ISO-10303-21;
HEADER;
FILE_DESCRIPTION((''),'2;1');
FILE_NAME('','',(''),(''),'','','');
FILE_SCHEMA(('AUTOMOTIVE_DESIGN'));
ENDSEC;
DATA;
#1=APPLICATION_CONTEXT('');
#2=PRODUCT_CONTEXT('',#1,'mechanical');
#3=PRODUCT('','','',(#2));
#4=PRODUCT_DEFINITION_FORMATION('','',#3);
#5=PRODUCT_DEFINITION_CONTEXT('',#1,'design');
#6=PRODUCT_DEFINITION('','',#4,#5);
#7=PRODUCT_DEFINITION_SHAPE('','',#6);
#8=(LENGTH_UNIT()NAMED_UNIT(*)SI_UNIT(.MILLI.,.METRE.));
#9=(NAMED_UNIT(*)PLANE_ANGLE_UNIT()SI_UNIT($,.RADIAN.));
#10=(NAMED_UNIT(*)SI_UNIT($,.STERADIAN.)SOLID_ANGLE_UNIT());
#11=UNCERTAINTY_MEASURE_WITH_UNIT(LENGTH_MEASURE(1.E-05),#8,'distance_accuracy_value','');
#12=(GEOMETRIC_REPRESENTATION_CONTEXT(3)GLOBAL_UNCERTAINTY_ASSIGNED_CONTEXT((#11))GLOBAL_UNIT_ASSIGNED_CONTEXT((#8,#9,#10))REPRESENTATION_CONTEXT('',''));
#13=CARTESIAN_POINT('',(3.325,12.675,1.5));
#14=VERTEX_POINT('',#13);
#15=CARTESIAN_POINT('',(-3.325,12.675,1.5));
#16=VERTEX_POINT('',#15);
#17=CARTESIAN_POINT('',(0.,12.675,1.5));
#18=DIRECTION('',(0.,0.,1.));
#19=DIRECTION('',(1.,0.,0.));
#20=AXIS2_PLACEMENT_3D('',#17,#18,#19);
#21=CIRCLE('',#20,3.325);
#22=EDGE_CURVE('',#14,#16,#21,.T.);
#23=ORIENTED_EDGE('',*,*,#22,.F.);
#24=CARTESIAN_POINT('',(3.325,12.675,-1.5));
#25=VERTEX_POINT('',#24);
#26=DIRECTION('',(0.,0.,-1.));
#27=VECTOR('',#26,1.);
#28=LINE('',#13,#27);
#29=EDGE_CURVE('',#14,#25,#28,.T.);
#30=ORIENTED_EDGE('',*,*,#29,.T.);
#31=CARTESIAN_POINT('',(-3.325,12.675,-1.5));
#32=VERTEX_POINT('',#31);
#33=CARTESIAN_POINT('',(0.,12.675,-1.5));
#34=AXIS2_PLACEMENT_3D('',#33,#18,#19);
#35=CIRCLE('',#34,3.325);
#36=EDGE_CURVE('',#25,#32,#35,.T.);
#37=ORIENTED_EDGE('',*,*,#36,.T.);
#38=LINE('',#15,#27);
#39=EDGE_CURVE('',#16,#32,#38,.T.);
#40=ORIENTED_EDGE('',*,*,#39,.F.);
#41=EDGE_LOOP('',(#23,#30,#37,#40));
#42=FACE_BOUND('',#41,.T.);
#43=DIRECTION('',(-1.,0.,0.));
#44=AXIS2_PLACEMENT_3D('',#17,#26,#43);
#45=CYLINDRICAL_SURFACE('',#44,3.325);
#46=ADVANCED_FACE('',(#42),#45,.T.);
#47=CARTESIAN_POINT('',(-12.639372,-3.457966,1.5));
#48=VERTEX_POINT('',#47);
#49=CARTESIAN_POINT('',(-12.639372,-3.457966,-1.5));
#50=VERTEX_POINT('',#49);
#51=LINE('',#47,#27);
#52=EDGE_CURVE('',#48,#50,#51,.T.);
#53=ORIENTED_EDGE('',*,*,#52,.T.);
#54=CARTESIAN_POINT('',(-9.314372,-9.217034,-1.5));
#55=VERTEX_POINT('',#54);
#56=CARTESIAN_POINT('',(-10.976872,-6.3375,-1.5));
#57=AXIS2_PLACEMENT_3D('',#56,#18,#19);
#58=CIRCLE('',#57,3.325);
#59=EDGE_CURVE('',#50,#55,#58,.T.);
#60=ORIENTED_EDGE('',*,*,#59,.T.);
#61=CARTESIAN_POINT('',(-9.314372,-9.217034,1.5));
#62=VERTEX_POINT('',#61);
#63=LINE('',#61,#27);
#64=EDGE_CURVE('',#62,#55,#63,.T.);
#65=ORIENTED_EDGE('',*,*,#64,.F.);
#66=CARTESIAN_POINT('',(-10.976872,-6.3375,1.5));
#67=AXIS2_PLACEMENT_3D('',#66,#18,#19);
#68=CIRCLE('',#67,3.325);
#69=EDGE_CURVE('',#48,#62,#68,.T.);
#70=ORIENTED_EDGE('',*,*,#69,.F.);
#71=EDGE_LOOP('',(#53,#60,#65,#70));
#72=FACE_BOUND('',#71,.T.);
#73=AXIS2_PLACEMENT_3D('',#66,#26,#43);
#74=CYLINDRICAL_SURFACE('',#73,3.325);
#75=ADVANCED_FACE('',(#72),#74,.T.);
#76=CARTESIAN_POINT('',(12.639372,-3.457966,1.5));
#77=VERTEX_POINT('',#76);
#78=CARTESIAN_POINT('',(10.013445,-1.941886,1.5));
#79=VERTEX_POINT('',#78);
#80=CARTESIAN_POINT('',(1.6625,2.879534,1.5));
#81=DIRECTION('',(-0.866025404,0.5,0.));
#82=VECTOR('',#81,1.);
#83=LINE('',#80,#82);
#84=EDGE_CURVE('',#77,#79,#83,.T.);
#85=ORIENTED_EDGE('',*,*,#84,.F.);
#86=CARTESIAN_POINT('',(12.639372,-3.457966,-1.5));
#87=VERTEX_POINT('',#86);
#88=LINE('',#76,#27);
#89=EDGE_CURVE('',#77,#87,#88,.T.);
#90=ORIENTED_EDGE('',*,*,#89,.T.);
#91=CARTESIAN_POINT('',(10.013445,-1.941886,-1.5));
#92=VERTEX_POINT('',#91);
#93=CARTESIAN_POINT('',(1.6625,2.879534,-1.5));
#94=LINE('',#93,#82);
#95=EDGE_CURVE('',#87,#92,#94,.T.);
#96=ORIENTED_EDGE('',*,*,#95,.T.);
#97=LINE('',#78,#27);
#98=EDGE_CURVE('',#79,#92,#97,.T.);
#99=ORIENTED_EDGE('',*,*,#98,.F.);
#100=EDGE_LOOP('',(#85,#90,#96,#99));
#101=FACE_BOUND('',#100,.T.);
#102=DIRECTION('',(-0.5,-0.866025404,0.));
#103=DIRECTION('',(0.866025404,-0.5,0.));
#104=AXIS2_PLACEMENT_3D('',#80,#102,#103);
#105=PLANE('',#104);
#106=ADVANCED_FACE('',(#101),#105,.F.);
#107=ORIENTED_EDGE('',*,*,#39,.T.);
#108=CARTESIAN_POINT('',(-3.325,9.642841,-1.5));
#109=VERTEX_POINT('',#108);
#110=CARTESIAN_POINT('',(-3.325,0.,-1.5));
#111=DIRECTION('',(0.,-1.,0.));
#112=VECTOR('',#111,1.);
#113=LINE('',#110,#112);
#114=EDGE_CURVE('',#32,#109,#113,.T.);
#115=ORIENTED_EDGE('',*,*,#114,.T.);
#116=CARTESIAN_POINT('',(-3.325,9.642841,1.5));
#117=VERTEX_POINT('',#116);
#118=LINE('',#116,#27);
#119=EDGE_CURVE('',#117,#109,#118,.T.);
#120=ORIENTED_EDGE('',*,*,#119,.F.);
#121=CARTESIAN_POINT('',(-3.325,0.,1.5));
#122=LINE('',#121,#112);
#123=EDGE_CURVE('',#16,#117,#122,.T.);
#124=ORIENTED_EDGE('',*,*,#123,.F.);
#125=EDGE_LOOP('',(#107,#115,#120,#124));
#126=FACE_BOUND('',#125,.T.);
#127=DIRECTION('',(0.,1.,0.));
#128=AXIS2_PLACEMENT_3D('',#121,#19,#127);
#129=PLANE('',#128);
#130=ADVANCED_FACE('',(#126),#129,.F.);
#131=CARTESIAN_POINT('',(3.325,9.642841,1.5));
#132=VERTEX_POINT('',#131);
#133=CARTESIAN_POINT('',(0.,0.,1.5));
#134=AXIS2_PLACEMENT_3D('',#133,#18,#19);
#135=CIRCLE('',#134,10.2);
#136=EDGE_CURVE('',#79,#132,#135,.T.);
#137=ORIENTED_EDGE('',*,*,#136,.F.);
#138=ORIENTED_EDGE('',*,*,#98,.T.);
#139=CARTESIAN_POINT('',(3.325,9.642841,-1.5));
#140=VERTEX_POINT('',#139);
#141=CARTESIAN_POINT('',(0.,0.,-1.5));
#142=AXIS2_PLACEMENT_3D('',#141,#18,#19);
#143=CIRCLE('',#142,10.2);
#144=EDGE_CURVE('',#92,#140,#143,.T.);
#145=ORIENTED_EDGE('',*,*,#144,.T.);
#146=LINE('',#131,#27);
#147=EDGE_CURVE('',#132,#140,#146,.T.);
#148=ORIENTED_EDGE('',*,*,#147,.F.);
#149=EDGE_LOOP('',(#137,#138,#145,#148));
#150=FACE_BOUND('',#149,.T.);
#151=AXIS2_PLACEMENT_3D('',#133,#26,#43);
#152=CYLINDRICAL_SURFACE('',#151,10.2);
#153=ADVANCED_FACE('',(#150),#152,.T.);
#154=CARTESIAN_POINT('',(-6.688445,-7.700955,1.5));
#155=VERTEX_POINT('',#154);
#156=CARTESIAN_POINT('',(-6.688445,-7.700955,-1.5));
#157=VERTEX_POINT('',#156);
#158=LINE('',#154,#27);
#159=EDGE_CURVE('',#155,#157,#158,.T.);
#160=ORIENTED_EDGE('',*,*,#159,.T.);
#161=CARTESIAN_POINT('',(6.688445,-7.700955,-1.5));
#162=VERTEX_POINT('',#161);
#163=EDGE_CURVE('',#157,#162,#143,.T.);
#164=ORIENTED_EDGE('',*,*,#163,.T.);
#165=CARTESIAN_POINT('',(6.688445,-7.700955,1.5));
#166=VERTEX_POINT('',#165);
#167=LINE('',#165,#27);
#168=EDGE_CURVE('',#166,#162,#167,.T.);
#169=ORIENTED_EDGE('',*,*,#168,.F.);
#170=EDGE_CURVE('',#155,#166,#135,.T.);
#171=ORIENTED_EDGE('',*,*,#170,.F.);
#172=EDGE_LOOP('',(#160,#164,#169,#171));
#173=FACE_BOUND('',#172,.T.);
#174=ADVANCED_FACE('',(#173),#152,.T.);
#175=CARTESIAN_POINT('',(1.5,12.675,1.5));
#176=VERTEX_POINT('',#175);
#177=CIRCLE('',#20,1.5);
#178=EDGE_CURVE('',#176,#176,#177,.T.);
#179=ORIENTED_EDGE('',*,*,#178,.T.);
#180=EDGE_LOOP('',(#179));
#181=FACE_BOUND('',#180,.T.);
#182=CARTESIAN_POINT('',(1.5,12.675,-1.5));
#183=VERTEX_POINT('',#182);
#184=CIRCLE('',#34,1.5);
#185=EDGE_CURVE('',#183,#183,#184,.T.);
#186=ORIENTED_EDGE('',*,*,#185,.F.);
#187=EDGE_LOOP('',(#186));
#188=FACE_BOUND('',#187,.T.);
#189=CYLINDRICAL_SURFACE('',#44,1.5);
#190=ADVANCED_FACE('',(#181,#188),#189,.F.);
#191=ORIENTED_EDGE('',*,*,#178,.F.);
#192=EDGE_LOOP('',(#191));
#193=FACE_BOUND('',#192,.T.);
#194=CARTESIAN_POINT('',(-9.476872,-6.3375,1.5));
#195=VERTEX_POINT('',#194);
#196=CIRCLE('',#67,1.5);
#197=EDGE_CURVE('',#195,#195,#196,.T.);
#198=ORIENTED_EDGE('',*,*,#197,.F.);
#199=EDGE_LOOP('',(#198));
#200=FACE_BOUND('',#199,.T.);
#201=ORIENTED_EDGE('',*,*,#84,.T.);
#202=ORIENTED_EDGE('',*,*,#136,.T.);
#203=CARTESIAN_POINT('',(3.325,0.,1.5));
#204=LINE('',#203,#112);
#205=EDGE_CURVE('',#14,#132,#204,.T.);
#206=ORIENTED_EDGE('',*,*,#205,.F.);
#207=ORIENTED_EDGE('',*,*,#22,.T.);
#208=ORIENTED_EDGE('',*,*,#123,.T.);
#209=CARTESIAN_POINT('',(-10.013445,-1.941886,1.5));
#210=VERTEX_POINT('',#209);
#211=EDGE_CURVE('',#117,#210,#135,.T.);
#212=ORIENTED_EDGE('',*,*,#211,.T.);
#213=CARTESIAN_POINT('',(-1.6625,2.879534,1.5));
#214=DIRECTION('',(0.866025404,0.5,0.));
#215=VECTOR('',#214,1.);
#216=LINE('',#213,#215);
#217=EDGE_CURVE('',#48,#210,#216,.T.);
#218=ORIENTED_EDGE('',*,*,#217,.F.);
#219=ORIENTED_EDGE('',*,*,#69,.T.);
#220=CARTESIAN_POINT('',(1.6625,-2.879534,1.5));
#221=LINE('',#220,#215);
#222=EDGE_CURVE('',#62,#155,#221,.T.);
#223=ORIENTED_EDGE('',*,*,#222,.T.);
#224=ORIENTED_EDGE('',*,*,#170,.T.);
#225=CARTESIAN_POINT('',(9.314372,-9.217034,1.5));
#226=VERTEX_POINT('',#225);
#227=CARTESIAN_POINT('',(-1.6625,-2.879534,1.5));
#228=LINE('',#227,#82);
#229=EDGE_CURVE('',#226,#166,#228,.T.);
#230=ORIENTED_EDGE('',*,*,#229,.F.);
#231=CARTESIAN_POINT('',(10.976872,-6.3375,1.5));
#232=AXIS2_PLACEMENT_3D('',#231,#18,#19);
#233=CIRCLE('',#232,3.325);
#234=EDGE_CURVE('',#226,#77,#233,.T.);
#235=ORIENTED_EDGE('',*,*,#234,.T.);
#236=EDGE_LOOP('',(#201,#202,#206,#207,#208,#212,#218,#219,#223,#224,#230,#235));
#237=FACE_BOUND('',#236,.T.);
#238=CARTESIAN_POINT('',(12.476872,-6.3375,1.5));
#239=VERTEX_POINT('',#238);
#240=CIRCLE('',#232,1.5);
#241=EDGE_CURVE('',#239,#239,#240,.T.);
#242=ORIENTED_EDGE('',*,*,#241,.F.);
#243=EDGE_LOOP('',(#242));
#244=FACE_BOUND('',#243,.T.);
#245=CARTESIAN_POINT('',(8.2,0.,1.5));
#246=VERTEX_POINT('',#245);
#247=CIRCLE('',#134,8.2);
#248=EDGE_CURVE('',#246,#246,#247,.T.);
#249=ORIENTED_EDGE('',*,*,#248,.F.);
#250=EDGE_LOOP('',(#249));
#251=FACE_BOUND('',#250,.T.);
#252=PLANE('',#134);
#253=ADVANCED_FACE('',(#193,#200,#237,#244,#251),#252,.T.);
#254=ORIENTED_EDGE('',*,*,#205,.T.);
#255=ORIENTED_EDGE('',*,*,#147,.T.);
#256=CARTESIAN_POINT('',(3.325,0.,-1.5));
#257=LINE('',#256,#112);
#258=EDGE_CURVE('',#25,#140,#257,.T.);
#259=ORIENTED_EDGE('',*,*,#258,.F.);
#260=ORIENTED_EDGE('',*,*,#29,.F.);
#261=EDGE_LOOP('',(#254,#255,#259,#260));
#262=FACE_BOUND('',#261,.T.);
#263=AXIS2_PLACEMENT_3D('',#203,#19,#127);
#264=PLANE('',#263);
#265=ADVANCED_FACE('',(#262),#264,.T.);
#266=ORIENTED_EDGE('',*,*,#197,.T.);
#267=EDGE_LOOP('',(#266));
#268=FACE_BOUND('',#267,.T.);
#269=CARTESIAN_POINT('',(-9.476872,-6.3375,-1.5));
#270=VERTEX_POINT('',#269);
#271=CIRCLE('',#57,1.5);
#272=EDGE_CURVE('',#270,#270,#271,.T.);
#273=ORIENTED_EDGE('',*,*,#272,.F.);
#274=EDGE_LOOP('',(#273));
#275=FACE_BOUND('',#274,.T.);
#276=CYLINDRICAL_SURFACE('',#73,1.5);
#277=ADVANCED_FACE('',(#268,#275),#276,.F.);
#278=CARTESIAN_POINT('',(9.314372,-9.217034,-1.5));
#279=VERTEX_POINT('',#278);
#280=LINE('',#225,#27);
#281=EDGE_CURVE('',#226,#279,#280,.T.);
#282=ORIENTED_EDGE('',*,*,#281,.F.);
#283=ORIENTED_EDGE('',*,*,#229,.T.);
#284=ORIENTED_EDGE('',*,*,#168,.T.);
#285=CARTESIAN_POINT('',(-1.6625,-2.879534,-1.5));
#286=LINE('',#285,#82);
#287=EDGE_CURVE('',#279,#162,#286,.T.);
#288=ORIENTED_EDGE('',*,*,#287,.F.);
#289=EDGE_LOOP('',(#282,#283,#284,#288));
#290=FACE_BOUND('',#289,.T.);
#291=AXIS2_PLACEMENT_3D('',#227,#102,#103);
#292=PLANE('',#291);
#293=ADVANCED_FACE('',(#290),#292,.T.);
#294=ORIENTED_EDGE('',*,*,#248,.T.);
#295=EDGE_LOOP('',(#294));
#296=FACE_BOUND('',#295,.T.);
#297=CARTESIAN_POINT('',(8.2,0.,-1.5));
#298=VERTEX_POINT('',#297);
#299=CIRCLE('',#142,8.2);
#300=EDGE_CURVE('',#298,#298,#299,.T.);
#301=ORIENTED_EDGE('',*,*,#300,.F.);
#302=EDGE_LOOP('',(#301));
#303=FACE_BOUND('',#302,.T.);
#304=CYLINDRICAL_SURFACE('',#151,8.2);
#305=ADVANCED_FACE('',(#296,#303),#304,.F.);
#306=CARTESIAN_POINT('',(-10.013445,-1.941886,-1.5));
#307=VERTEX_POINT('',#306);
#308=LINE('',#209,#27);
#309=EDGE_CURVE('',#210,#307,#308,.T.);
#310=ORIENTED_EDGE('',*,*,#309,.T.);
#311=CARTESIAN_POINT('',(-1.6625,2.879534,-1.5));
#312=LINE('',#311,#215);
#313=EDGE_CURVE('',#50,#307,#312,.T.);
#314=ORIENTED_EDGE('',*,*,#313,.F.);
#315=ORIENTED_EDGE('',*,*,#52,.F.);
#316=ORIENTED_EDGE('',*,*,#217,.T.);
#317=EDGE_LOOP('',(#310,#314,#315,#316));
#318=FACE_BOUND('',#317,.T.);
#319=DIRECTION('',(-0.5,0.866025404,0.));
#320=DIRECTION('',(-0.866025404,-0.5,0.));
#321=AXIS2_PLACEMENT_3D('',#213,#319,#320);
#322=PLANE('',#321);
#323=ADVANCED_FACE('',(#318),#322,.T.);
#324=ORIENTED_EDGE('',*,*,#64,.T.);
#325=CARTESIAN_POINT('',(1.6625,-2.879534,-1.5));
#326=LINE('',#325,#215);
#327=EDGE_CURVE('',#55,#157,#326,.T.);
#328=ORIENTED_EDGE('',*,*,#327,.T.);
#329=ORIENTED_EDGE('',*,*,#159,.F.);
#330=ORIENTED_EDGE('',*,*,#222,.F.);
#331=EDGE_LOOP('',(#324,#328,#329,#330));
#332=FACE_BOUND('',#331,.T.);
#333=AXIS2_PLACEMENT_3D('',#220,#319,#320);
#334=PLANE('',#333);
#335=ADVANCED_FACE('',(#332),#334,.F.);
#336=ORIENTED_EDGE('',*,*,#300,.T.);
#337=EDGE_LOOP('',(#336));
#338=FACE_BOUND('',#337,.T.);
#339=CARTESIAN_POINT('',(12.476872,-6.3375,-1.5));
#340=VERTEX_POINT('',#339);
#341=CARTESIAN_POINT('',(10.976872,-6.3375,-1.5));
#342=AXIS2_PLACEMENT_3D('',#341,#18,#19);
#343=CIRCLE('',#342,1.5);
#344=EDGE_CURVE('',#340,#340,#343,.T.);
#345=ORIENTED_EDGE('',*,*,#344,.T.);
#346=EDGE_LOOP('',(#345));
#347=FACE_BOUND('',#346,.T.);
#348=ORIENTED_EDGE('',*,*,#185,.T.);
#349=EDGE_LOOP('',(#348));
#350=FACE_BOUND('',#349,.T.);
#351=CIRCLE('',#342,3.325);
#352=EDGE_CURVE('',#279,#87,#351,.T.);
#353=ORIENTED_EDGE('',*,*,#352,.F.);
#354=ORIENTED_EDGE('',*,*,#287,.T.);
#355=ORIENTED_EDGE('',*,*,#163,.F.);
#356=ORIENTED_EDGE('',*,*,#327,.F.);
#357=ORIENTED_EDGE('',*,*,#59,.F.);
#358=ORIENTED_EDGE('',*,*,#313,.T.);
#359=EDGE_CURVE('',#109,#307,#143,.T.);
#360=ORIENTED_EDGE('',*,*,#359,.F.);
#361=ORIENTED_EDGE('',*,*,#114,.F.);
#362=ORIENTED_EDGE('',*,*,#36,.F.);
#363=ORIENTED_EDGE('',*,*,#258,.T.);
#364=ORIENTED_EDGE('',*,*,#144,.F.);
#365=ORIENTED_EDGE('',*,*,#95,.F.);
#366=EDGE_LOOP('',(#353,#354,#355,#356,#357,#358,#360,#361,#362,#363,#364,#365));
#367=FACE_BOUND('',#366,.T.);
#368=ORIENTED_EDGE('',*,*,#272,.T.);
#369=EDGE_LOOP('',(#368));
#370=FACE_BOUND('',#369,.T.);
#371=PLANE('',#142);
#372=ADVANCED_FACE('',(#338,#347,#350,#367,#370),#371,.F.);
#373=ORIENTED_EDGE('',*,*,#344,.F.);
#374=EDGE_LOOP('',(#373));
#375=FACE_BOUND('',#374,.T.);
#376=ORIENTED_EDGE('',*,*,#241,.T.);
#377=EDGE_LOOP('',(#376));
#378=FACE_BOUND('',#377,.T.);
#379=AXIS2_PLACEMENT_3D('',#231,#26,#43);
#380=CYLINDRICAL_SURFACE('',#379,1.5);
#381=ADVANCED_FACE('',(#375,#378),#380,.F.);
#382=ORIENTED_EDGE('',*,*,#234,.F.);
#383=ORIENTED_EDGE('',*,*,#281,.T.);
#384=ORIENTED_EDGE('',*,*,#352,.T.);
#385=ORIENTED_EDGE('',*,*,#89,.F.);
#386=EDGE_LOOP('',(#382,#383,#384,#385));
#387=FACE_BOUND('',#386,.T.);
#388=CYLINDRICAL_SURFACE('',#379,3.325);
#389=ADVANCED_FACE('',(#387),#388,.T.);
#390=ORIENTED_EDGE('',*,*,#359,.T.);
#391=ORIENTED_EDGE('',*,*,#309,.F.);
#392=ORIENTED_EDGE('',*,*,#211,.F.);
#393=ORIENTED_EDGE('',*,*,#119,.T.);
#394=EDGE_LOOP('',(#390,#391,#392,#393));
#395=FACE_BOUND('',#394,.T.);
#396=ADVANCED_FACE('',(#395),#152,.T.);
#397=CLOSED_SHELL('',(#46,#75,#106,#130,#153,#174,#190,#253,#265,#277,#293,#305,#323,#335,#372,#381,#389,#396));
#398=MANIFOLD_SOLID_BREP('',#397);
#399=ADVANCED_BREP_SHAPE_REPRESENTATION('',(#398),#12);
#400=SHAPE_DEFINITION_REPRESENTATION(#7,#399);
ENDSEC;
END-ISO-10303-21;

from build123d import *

# Parameters (mm, degrees)
SKETCH_1_R      = 1.5
EXTRUDE_1_DEPTH = 1.5


with BuildPart() as part:
    # Эскиз1 → Бобышка-Вытянуть1 (new, symmetric)
    # profile 1 of 9: a face of its own
    with BuildSketch(Plane.XY):
        with BuildLine():
            Line((-3.325, 7.495623723), (-3.325, 9.642840608))
            ThreePointArc((-3.325, 9.642840608), (-8.833459119, 5.1), (-10.013444932, -1.941885837))
            Line((-10.013444932, -1.941885837), (-8.153900562, -0.868277394))
            ThreePointArc((-8.153900562, -0.868277394), (-7.101408311, 4.1), (-3.325, 7.495623723))
        make_face()
    # profile 2 of 9: a face of its own
    with BuildSketch(Plane.XY):
        with BuildLine():
            Line((-8.153900562, -0.868277394), (-10.013444932, -1.941885837))
            ThreePointArc((-10.013444932, -1.941885837), (-8.833459119, -5.1), (-6.688444932, -7.700954772))
            Line((-6.688444932, -7.700954772), (-4.828900562, -6.627346329))
            ThreePointArc((-4.828900562, -6.627346329), (-7.101408311, -4.1), (-8.153900562, -0.868277394))
        make_face()
    # profile 3 of 9: a face of its own
    with BuildSketch(Plane.XY):
        with BuildLine():
            ThreePointArc((-6.688444932, -7.700954772), (-8.833459119, -5.1), (-10.013444932, -1.941885837))
            Line((-10.013444932, -1.941885837), (-12.639371993, -3.457965532))
            ThreePointArc((-12.639371993, -3.457965532), (-13.856406461, -8), (-9.314371993, -9.217034468))
            Line((-9.314371993, -9.217034468), (-6.688444932, -7.700954772))
        make_face()
        with Locations((-10.976871993, -6.3375)):
            Circle(SKETCH_1_R, mode=Mode.SUBTRACT)
    # profile 4 of 9: a face of its own
    with BuildSketch(Plane.XY):
        with BuildLine():
            ThreePointArc((-6.688444932, -7.700954772), (0, -10.2), (6.688444932, -7.700954772))
            Line((6.688444932, -7.700954772), (4.828900562, -6.627346329))
            ThreePointArc((4.828900562, -6.627346329), (0, -8.2), (-4.828900562, -6.627346329))
            Line((-4.828900562, -6.627346329), (-6.688444932, -7.700954772))
        make_face()
    # profile 5 of 9: a face of its own
    with BuildSketch(Plane.XY):
        with BuildLine():
            ThreePointArc((6.688444932, -7.700954772), (8.833459119, -5.1), (10.013444932, -1.941885837))
            Line((10.013444932, -1.941885837), (8.153900562, -0.868277394))
            ThreePointArc((8.153900562, -0.868277394), (7.101408311, -4.1), (4.828900562, -6.627346329))
            Line((4.828900562, -6.627346329), (6.688444932, -7.700954772))
        make_face()
    # profile 6 of 9: a face of its own
    with BuildSketch(Plane.XY):
        with BuildLine():
            Line((12.639371993, -3.457965532), (10.013444932, -1.941885837))
            ThreePointArc((10.013444932, -1.941885837), (8.833459119, -5.1), (6.688444932, -7.700954772))
            Line((6.688444932, -7.700954772), (9.314371993, -9.217034468))
            ThreePointArc((9.314371993, -9.217034468), (13.856406461, -8), (12.639371993, -3.457965532))
        make_face()
        with Locations((10.976871993, -6.3375)):
            Circle(SKETCH_1_R, mode=Mode.SUBTRACT)
    # profile 7 of 9: a face of its own
    with BuildSketch(Plane.XY):
        with BuildLine():
            ThreePointArc((10.2, 0), (8.305269412, 5.921359641), (3.325, 9.642840608))
            Line((3.325, 9.642840608), (3.325, 7.495623723))
            ThreePointArc((3.325, 7.495623723), (6.874045388, 4.470738194), (8.2, 0))
            ThreePointArc((8.2, 0), (8.18846703, -0.434750156), (8.153900562, -0.868277394))
            Line((8.153900562, -0.868277394), (10.013444932, -1.941885837))
            ThreePointArc((10.013444932, -1.941885837), (10.153254116, -0.975413168), (10.2, 0))
        make_face()
    # profile 8 of 9: a face of its own
    with BuildSketch(Plane.XY):
        with BuildLine():
            Line((3.325, 7.495623723), (3.325, 9.642840608))
            ThreePointArc((3.325, 9.642840608), (0, 10.2), (-3.325, 9.642840608))
            Line((-3.325, 9.642840608), (-3.325, 7.495623723))
            ThreePointArc((-3.325, 7.495623723), (0, 8.2), (3.325, 7.495623723))
        make_face()
    # profile 9 of 9: a face of its own
    with BuildSketch(Plane.XY):
        with BuildLine():
            Line((3.325, 9.642840608), (3.325, 12.675))
            ThreePointArc((3.325, 12.675), (0, 16), (-3.325, 12.675))
            Line((-3.325, 12.675), (-3.325, 9.642840608))
            ThreePointArc((-3.325, 9.642840608), (0, 10.2), (3.325, 9.642840608))
        make_face()
        with Locations((0, 12.675)):
            Circle(SKETCH_1_R, mode=Mode.SUBTRACT)
    extrude(amount=EXTRUDE_1_DEPTH, both=True)


solid = part.part
